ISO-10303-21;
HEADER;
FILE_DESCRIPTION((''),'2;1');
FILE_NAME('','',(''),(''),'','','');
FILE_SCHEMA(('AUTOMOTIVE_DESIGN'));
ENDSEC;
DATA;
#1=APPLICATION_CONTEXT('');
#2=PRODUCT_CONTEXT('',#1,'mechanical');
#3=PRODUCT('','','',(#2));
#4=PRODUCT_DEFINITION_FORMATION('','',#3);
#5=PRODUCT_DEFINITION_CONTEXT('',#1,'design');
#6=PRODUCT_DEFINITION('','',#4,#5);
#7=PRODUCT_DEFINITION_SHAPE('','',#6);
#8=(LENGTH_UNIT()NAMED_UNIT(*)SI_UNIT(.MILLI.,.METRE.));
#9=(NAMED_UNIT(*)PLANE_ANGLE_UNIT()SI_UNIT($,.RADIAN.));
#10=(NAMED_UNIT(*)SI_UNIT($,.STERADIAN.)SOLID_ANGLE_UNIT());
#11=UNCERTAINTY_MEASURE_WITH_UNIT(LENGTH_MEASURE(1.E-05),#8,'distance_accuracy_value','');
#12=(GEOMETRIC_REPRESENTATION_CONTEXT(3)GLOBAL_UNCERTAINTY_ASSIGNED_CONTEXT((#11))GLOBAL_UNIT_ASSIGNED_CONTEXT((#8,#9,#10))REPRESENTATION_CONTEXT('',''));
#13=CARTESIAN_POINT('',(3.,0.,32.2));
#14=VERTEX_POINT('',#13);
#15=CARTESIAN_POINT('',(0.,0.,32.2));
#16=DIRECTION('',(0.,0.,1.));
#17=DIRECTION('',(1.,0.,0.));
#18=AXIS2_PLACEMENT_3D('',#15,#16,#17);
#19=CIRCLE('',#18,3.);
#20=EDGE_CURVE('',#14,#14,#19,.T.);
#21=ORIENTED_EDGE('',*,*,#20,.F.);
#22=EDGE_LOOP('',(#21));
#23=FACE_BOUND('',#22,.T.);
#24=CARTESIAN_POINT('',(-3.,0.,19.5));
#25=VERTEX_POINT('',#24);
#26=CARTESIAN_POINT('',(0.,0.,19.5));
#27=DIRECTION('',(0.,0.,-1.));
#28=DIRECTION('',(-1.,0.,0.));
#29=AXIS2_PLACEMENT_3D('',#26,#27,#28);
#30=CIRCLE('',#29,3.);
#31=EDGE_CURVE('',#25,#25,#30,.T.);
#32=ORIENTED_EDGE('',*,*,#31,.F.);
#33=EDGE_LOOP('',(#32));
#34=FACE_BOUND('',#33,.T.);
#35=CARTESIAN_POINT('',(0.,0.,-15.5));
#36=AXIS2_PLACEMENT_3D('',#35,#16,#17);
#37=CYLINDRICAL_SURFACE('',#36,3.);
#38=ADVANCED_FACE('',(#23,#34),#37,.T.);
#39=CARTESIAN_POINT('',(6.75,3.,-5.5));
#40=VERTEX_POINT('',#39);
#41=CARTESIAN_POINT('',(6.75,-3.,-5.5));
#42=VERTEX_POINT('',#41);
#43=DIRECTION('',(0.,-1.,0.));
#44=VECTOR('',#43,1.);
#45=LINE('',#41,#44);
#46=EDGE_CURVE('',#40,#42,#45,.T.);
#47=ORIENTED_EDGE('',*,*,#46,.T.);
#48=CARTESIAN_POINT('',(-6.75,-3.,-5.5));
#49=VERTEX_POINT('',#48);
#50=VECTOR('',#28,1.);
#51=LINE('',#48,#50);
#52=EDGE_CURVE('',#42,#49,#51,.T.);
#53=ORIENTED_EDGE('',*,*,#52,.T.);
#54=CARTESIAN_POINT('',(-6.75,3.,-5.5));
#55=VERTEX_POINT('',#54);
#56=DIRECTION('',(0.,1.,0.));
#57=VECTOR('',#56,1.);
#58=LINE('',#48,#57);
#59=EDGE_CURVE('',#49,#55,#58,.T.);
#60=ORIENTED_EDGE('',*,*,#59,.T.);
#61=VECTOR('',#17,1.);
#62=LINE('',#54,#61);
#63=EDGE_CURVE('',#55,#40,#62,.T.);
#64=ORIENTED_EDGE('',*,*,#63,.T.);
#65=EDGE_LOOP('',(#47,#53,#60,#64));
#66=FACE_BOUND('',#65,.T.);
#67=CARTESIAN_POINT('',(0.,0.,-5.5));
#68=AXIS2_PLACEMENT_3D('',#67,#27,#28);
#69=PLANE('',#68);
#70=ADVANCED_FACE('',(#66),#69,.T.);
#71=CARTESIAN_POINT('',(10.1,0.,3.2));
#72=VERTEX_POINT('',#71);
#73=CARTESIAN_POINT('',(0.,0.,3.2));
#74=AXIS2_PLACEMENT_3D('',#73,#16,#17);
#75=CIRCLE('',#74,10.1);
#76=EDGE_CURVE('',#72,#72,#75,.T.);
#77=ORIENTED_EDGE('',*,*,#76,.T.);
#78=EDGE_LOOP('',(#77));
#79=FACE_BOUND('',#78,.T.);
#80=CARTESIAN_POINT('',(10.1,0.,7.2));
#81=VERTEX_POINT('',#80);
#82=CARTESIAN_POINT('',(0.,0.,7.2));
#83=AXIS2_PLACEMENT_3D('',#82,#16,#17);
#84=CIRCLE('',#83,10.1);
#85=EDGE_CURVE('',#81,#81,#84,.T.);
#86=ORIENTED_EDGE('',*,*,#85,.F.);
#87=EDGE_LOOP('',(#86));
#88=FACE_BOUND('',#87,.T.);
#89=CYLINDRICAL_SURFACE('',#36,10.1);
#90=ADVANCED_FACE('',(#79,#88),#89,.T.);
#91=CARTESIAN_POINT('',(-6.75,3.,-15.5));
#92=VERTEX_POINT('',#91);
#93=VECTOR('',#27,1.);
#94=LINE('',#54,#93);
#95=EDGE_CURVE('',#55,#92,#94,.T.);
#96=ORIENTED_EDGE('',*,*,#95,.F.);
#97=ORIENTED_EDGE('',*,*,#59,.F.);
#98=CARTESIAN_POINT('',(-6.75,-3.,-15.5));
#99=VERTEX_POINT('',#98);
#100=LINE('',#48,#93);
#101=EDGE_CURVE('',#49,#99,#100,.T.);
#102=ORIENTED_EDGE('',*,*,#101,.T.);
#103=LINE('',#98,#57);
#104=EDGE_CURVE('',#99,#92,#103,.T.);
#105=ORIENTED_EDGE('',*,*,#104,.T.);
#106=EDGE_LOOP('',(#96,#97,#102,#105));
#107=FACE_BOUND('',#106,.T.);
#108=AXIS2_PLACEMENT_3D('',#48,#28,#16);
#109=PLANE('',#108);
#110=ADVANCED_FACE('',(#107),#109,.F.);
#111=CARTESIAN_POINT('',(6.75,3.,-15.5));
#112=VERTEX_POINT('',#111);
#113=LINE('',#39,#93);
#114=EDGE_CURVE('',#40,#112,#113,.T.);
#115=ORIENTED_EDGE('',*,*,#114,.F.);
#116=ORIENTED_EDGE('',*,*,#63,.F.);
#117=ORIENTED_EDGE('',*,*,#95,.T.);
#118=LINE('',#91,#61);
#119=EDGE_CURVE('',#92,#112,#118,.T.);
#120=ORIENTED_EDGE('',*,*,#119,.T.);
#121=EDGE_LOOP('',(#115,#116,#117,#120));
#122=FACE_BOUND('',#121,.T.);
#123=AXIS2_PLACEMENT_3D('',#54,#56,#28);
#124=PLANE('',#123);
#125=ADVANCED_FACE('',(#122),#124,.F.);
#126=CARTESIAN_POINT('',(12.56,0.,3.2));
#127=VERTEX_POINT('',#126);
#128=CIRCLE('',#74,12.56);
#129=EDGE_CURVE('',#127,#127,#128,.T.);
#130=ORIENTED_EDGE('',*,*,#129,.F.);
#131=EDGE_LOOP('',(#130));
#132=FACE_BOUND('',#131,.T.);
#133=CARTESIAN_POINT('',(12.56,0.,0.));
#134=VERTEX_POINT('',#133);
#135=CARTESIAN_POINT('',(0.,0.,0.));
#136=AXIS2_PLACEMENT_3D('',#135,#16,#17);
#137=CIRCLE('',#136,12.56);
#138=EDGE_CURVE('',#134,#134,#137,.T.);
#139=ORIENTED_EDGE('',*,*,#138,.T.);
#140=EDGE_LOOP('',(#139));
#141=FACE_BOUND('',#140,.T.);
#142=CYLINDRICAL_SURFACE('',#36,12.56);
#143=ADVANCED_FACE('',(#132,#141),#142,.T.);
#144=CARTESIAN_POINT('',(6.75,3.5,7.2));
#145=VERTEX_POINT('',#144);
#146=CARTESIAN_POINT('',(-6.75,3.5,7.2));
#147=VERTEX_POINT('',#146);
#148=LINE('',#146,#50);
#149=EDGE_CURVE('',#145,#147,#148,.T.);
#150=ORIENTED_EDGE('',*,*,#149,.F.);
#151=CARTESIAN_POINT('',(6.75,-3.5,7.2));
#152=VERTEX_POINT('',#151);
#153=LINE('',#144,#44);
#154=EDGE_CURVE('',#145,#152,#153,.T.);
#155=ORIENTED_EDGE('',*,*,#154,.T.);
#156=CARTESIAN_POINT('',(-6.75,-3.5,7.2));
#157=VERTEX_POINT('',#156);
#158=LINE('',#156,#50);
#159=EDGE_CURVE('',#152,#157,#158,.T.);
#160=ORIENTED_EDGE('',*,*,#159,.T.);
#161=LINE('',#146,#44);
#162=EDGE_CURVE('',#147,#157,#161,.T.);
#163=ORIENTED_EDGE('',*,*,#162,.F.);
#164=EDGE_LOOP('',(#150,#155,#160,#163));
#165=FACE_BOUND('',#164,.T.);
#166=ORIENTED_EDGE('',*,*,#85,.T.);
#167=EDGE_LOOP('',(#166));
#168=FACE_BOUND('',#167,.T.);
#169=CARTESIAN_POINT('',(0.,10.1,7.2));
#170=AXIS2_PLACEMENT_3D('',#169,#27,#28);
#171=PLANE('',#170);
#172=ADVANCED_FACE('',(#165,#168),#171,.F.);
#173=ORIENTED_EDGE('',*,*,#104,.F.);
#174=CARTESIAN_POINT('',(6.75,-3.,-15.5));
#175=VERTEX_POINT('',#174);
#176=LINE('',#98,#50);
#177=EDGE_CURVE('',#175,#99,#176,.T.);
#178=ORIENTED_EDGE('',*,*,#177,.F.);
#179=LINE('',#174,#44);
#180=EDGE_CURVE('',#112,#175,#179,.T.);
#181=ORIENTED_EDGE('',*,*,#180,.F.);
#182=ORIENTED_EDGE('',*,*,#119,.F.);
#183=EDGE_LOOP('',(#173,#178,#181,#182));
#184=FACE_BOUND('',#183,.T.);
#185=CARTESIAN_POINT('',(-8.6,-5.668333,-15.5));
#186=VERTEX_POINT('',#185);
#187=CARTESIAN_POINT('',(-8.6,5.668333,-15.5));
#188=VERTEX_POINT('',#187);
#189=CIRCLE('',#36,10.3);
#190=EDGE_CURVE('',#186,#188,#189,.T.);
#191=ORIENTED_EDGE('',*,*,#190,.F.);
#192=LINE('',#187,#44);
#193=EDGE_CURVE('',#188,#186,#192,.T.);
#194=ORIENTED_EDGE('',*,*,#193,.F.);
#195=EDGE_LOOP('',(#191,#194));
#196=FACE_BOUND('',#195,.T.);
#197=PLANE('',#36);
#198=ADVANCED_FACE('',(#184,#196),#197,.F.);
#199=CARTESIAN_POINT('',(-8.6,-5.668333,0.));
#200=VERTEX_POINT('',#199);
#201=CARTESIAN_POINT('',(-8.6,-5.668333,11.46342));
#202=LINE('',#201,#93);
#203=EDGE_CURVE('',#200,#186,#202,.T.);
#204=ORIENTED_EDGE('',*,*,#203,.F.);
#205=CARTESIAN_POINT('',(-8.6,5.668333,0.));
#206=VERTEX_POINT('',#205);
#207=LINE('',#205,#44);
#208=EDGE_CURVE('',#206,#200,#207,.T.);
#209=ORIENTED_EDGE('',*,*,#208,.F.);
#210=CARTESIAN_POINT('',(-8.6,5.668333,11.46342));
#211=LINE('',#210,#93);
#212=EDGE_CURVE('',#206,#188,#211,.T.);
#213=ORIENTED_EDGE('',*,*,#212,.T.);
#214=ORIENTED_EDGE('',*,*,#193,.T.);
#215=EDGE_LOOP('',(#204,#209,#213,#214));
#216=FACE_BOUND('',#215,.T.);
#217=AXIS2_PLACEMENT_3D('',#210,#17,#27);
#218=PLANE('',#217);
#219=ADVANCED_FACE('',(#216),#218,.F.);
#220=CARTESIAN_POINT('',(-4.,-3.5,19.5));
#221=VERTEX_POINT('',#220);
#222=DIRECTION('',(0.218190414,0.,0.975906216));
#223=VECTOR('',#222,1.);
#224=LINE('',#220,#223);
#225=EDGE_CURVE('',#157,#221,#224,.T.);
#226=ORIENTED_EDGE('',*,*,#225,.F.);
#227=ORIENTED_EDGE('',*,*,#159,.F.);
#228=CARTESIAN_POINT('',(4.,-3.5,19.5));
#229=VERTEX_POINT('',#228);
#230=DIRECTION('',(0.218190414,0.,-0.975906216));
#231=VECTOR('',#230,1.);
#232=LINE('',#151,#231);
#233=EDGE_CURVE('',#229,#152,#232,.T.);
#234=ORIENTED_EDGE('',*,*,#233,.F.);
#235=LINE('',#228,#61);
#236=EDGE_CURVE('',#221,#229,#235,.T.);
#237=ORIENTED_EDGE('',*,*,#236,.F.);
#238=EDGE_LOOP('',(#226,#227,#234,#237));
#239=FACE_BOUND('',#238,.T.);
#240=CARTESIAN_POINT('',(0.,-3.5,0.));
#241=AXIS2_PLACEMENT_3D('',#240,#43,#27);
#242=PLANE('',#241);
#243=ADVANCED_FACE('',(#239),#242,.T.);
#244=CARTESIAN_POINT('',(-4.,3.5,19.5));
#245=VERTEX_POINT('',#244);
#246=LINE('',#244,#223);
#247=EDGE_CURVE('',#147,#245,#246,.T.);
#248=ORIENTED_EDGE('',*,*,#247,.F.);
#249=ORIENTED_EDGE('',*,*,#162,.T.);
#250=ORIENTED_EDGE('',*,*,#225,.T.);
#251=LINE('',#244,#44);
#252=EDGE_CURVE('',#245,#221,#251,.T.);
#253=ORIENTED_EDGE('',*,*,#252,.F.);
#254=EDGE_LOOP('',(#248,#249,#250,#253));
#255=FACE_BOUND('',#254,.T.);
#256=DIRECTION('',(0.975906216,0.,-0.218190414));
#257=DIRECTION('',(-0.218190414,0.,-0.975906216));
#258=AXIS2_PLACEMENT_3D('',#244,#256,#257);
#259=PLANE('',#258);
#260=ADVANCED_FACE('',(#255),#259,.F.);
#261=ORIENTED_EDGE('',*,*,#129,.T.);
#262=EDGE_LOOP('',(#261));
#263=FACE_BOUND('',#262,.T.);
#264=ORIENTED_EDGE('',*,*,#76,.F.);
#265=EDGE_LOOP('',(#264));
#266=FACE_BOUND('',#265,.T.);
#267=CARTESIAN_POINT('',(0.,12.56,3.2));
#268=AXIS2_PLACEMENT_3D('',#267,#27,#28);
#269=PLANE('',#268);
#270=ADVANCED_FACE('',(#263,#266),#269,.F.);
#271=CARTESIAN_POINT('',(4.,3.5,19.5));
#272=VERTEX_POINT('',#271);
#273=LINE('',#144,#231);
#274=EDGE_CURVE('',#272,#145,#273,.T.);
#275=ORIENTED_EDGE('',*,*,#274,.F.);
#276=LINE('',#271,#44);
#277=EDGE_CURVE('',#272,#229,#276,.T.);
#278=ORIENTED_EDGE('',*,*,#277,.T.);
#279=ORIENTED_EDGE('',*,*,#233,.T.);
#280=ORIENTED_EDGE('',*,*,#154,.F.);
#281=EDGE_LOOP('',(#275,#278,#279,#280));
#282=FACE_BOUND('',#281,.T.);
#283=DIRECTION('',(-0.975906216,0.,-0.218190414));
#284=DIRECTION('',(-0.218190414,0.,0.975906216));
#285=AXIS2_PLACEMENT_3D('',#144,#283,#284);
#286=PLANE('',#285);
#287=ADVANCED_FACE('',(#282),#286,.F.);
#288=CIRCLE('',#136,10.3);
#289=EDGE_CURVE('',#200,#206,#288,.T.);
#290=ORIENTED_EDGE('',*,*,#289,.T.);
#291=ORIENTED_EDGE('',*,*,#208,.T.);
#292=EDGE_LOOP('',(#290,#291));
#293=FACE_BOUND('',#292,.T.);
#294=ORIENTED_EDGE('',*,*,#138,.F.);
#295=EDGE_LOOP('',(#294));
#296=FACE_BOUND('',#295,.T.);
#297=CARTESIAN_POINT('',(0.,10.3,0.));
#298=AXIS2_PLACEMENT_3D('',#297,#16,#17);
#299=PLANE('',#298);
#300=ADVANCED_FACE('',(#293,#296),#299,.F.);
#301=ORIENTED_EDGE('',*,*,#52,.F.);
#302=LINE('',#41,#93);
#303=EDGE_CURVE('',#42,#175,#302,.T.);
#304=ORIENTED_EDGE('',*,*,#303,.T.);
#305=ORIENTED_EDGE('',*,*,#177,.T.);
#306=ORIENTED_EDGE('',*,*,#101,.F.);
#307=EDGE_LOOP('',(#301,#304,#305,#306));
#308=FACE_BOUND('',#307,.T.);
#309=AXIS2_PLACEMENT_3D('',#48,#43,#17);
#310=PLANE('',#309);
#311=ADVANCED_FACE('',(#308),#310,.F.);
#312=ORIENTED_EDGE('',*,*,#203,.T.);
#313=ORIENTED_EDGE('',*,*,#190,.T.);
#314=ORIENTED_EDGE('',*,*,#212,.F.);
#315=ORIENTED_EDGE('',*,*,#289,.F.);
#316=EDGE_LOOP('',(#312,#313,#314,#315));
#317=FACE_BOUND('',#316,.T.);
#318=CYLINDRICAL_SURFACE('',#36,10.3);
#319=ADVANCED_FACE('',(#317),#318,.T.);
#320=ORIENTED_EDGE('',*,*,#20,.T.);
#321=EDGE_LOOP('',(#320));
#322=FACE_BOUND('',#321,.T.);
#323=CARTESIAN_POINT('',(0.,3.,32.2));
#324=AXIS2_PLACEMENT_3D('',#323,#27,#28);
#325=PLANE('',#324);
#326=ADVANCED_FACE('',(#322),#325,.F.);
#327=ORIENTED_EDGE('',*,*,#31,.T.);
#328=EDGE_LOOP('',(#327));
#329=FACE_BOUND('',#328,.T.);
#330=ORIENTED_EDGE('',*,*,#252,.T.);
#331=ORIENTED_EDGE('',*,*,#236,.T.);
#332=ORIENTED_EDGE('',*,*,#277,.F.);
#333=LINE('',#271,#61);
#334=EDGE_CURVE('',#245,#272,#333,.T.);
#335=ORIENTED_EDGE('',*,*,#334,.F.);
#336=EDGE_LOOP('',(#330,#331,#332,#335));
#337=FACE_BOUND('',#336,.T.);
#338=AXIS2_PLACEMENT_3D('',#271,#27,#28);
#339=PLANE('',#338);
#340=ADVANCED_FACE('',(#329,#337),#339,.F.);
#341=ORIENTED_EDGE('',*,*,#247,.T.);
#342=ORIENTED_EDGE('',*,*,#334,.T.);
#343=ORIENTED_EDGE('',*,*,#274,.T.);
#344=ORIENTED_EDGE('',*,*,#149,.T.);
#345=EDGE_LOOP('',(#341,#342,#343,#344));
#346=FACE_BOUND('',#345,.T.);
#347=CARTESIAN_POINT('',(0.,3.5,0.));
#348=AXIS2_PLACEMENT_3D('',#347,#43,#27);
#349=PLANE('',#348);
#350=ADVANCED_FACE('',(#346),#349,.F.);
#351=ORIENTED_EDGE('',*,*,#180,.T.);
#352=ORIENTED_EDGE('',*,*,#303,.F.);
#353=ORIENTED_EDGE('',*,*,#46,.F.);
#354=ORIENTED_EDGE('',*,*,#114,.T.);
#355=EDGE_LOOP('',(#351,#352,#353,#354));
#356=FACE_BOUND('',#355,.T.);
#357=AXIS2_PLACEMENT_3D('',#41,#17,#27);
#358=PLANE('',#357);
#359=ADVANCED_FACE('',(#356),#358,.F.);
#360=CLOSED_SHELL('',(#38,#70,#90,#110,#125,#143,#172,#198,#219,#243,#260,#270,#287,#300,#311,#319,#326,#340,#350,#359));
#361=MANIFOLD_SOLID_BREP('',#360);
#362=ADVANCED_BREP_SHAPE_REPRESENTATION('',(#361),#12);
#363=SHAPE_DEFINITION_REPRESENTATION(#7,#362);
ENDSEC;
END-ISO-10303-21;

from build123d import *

# Parameters (mm, degrees)
BOSS_EXTRUDE1_DEPTH = 3.5
SKETCH3_W           = 13.5
SKETCH3_H           = 6
CUT_EXTRUDE1_DEPTH  = 10
CUT_EXTRUDE2_DEPTH  = 15.5


with BuildPart() as part:
    # Sketch1 → Revolve1 (revolve)
    with BuildSketch(Plane(origin=(0, 0, 0), x_dir=(0, 0, -1), z_dir=(1, 0, 0))):
        Polygon((-32.2, 0), (15.5, 0), (15.5, 10.3), (0, 10.3), (0, 12.56), (-3.2, 12.56), (-3.2, 10.1), (-7.2, 10.1), (-7.2, 3), (-32.2, 3), align=None)
    revolve(axis=Axis((0, 0, -15.5), (0, 0, -1)))

    # Sketch2 → Boss-Extrude1 (add, symmetric)
    with BuildSketch(Plane(origin=(0, 0, 0), x_dir=(1, 0, 0), z_dir=(0, 1, 0))):
        Polygon((-6.75, -7.2), (6.75, -7.2), (4, -19.5), (-4, -19.5), align=None)
    extrude(amount=BOSS_EXTRUDE1_DEPTH, both=True)

    # Sketch3 → Cut-Extrude1 (cut)
    with BuildSketch(Plane(origin=(0, 0, -15.5), x_dir=(-1, 0, 0), z_dir=(0, 0, -1))):
        Rectangle(SKETCH3_W, SKETCH3_H)
    extrude(amount=-CUT_EXTRUDE1_DEPTH, mode=Mode.SUBTRACT)

    # Sketch4 → Cut-Extrude2 (cut)
    with BuildSketch(Plane(origin=(0, 0, -15.5), x_dir=(-1, 0, 0), z_dir=(0, 0, -1))):
        with BuildLine():
            Line((8.6, 5.668333088), (8.6, -5.668333088))
            ThreePointArc((8.6, -5.668333088), (10.3, 0), (8.6, 5.668333088))
        make_face()
    extrude(amount=-CUT_EXTRUDE2_DEPTH, mode=Mode.SUBTRACT)


solid = part.part
